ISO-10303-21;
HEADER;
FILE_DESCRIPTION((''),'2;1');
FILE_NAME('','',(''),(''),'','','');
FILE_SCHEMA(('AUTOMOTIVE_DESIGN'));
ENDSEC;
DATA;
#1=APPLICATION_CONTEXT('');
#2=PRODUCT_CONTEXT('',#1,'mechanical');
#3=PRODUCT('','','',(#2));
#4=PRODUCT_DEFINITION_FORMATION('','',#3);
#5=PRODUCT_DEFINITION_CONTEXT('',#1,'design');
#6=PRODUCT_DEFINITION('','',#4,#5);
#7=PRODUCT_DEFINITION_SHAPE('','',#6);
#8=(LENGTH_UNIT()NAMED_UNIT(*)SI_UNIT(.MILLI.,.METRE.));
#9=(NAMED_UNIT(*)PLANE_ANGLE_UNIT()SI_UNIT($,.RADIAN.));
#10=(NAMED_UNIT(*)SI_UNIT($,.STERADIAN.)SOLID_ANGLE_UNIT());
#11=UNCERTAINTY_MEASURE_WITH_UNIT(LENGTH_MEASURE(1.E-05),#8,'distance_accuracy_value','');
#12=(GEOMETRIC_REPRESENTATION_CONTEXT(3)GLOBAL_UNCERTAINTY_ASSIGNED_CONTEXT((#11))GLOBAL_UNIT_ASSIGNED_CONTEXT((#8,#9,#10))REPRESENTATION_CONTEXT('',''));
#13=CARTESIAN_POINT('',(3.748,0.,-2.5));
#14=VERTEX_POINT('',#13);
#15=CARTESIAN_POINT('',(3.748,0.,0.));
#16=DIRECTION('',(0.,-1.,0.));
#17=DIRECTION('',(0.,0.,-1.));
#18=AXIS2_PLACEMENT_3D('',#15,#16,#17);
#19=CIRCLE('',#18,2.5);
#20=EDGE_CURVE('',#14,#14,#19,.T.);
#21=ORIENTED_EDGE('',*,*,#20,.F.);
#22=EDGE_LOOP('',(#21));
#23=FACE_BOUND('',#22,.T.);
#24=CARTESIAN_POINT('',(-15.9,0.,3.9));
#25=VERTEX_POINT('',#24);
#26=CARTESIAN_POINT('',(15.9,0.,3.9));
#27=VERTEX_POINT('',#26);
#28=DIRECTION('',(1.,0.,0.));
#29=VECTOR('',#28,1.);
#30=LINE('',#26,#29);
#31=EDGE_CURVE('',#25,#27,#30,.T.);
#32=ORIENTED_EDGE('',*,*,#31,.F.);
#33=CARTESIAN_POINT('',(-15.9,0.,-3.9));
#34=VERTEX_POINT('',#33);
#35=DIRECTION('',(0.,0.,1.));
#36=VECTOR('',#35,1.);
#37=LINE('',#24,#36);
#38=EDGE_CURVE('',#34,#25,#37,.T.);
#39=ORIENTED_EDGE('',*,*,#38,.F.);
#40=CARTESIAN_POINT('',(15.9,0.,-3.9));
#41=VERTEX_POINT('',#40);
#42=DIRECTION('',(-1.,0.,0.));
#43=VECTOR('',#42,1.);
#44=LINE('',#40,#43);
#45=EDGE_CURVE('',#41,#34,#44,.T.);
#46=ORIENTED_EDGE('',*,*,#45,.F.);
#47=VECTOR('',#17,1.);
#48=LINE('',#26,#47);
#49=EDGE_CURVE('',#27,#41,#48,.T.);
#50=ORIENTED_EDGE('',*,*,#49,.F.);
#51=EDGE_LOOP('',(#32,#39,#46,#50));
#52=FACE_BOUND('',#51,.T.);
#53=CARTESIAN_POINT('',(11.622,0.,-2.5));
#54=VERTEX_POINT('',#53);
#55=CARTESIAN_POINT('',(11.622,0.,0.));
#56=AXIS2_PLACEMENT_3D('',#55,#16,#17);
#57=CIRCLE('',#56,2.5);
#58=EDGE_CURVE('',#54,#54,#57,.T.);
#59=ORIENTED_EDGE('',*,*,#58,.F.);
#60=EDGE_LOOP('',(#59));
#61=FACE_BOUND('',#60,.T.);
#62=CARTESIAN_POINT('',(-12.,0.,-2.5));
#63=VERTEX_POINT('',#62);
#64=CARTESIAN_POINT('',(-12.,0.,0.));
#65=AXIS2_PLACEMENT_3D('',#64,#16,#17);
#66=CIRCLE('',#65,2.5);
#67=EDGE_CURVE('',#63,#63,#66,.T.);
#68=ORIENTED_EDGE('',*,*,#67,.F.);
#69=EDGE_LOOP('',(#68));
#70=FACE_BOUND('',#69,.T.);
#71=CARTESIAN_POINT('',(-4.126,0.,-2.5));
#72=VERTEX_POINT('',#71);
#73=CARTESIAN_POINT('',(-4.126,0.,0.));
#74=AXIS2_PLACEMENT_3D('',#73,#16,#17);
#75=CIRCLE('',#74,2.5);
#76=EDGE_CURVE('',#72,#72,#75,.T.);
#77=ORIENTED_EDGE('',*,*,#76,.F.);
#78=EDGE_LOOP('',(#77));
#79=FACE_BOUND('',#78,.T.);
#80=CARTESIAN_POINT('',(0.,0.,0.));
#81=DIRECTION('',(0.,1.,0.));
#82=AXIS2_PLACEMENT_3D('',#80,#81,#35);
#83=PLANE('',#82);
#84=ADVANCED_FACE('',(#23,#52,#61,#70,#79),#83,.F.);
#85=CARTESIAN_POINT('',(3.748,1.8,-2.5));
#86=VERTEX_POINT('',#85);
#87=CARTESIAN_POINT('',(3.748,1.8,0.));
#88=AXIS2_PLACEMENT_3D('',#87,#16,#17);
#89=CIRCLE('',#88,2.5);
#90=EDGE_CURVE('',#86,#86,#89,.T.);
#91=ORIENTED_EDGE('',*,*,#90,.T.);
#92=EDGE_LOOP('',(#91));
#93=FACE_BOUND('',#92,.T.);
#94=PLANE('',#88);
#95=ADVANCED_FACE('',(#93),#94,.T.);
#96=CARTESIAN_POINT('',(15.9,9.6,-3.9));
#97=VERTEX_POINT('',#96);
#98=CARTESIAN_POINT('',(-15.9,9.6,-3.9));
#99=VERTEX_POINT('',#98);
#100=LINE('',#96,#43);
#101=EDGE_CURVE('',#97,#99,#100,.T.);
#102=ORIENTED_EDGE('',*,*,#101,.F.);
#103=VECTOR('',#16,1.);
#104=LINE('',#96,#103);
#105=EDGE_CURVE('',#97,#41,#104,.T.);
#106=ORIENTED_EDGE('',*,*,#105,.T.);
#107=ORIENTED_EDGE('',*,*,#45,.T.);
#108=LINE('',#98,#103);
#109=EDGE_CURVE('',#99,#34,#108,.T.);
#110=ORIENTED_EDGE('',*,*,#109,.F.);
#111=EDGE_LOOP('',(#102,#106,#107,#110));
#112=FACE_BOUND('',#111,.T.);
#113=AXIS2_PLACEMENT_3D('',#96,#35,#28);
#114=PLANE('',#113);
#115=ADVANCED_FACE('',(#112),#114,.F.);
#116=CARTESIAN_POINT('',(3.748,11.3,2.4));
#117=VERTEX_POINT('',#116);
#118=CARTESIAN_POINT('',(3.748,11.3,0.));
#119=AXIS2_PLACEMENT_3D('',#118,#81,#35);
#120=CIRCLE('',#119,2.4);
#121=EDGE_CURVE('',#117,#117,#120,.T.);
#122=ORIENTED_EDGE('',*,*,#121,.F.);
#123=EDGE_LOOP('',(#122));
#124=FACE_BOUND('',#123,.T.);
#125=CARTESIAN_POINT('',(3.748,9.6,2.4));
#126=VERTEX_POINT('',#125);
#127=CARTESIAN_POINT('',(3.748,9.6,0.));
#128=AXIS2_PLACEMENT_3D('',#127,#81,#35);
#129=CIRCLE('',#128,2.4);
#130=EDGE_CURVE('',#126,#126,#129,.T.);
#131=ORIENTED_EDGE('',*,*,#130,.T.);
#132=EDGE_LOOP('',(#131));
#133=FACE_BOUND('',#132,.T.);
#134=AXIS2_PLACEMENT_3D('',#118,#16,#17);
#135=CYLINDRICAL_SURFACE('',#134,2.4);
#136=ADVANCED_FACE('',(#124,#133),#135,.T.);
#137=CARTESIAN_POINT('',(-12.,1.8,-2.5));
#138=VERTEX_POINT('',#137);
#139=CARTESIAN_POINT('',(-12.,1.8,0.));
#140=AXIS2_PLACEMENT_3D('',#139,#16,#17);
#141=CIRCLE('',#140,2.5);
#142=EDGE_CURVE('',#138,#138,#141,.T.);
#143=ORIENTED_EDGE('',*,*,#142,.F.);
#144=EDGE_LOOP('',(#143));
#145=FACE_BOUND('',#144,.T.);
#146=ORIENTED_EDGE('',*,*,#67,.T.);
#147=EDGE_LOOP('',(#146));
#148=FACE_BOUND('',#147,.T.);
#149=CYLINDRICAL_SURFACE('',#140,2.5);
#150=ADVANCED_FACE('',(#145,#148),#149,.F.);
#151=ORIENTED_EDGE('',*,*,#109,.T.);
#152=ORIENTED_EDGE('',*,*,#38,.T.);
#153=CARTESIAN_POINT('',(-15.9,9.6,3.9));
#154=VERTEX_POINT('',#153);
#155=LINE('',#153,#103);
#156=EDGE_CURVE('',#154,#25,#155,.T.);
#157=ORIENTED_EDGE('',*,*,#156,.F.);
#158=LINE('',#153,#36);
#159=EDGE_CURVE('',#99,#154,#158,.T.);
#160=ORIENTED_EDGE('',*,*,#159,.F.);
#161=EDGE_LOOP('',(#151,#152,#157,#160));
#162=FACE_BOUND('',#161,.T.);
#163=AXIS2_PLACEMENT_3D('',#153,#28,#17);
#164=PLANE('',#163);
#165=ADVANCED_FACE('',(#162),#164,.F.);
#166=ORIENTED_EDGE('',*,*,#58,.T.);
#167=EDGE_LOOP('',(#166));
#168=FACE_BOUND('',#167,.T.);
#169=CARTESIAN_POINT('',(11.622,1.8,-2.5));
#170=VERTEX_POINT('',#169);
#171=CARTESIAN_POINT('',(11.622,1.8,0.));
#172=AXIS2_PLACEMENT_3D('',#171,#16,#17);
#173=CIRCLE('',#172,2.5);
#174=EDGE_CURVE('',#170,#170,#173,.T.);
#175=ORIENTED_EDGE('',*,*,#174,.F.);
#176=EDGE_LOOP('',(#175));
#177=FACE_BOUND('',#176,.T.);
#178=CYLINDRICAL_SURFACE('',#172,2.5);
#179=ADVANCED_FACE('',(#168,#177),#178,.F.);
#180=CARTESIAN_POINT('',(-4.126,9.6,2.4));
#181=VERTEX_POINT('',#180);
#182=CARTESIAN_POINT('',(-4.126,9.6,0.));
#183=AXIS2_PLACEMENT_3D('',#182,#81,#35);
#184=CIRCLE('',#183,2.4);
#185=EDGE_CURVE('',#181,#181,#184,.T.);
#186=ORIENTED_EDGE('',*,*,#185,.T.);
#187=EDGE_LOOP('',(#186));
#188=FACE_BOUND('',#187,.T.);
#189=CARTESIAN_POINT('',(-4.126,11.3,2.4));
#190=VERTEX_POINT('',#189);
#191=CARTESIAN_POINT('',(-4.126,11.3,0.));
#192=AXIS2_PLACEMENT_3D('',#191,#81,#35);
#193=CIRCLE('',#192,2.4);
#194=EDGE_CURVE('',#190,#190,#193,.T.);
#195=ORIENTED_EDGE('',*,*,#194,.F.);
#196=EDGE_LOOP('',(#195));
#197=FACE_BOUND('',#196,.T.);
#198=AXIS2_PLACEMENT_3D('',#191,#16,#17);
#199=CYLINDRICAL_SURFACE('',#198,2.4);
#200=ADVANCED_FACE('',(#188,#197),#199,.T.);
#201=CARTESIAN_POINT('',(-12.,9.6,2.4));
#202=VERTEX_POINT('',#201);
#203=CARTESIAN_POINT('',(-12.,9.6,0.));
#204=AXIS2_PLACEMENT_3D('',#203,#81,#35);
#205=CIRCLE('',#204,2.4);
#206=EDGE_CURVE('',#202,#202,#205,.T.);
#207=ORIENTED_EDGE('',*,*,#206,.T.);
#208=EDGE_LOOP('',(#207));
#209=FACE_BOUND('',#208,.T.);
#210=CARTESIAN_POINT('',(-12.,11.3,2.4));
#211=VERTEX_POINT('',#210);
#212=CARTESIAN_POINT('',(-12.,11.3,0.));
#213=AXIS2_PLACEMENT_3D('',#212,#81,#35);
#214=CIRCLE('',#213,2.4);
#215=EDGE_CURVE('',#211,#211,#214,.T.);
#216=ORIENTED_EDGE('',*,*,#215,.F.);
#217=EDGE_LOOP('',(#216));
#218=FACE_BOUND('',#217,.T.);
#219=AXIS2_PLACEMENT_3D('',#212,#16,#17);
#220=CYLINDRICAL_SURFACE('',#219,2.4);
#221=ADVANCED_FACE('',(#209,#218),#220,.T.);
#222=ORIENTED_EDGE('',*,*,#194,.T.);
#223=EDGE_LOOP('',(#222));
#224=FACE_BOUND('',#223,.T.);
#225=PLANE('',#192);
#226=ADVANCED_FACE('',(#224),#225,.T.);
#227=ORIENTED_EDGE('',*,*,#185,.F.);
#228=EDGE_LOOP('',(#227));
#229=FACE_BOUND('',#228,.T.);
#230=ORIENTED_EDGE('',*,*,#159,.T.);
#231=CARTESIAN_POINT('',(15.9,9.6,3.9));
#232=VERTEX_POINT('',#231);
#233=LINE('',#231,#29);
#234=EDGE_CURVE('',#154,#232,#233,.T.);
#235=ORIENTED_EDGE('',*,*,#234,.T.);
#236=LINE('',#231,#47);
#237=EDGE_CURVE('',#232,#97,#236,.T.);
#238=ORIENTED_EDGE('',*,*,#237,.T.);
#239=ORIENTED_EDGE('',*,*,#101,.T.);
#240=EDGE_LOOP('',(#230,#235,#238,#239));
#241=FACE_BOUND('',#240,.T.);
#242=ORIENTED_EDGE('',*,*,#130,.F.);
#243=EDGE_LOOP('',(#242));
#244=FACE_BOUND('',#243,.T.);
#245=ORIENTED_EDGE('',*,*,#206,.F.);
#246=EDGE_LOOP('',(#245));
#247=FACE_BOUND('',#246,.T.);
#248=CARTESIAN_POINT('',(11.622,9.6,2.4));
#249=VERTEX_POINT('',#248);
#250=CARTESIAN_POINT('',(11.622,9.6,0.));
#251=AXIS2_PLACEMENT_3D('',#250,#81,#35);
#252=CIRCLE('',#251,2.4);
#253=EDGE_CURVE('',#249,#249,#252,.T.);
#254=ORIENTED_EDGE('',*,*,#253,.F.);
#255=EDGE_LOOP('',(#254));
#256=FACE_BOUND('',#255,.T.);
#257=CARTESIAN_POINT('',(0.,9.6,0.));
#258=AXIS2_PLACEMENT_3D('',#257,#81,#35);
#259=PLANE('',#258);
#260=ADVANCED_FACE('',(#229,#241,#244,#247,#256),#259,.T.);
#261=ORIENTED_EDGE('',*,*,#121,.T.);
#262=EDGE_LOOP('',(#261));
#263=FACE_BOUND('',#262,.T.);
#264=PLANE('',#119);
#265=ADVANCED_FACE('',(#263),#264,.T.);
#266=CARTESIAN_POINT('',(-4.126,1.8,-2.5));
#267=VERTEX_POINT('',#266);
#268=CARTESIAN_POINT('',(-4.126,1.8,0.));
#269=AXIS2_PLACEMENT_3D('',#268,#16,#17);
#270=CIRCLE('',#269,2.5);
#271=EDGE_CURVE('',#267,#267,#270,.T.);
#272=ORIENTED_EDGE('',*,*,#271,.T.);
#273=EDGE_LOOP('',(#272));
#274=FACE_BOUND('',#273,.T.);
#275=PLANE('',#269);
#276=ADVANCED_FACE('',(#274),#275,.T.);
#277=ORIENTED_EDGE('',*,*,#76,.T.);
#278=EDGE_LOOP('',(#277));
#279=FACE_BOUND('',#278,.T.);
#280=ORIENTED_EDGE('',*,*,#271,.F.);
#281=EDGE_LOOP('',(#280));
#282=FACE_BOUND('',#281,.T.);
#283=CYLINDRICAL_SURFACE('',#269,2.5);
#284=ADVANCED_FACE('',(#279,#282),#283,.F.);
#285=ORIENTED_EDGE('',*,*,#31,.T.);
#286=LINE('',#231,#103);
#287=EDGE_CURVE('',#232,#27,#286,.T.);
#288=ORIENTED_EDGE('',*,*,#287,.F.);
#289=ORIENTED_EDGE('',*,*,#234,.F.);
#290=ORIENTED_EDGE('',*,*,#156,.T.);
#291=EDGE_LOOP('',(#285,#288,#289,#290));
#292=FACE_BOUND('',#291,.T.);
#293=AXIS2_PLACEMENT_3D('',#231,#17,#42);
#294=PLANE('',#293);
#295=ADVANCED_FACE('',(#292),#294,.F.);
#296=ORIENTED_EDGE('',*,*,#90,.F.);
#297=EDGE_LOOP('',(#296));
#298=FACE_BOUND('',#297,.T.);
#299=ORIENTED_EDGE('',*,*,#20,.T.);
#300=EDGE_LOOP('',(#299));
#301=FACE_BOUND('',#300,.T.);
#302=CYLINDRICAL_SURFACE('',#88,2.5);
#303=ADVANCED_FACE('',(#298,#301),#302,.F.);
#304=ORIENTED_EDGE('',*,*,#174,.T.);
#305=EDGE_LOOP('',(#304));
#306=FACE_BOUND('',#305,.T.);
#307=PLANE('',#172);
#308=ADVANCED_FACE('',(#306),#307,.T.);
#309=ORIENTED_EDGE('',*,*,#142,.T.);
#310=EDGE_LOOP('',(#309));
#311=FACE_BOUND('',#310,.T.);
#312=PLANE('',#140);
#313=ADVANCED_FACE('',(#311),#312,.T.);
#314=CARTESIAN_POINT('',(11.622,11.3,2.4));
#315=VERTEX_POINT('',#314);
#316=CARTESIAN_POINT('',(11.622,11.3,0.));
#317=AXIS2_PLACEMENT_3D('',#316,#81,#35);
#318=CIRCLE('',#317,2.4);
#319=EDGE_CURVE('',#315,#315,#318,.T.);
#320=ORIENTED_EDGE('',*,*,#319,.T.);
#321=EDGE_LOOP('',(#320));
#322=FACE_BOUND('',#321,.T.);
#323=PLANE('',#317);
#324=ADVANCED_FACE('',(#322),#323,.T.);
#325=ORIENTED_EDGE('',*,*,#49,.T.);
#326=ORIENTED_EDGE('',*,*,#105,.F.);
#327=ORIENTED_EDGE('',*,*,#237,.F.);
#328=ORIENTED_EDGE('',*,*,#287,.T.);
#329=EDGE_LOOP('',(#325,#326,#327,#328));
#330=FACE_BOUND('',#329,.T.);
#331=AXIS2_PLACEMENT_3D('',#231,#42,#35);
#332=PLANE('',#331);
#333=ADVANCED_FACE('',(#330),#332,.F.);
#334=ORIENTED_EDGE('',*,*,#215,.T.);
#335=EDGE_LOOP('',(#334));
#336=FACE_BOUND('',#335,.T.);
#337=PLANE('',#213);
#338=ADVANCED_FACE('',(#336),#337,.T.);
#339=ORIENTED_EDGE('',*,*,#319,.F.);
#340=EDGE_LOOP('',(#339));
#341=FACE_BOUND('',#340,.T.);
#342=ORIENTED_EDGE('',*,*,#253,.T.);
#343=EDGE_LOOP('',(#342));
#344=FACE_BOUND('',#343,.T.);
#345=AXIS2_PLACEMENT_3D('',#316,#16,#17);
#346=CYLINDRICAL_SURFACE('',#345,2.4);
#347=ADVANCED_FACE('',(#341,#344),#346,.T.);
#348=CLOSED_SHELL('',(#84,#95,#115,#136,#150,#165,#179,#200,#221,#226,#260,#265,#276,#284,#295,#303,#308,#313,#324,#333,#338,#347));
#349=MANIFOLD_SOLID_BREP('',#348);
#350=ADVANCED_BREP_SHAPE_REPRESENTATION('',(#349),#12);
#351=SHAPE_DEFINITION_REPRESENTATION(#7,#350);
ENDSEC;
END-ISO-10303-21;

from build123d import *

# Parameters (mm, degrees)
SKETCH_1_W          = 31.8
SKETCH_1_H          = 7.8
EXTRUDE_1_DEPTH     = 9.6
SKETCH_2_R          = 2.4
EXTRUDE_2_DEPTH     = 1.7
SKETCH_3_R          = 2.5
CUT_EXTRUDE_1_DEPTH = 1.8


with BuildPart() as part:
    # Эскиз1 → Бобышка-Вытянуть1 (new body)
    with BuildSketch(Plane(origin=(0, 0, 0), x_dir=(1, 0, 0), z_dir=(0, 1, 0))):
        Rectangle(SKETCH_1_W, SKETCH_1_H)
    extrude(amount=EXTRUDE_1_DEPTH)

    # Эскиз2 → Бобышка-Вытянуть2 (add)
    with BuildSketch(Plane(origin=(0, 9.6, 0), x_dir=(1, 0, 0), z_dir=(0, 1, 0))):
        with Locations(Location((-12, 0, 0), (0, 0, 270))):
            Circle(SKETCH_2_R)
        with Locations(Location((-4.126, 0, 0), (0, 0, 270))):
            Circle(SKETCH_2_R)
        with Locations(Location((3.748, 0, 0), (0, 0, 270))):
            Circle(SKETCH_2_R)
        with Locations(Location((11.622, 0, 0), (0, 0, 270))):
            Circle(SKETCH_2_R)
    extrude(amount=EXTRUDE_2_DEPTH)

    # Эскиз3 → Вырез-Вытянуть1 (cut)
    with BuildSketch(Plane.XZ):
        with Locations(Location((-12, 0, 0), (0, 0, 270))):
            Circle(SKETCH_3_R)
        with Locations(Location((-4.126, 0, 0), (0, 0, 270))):
            Circle(SKETCH_3_R)
        with Locations(Location((3.748, 0, 0), (0, 0, 270))):
            Circle(SKETCH_3_R)
        with Locations(Location((11.622, 0, 0), (0, 0, 270))):
            Circle(SKETCH_3_R)
    extrude(amount=-CUT_EXTRUDE_1_DEPTH, mode=Mode.SUBTRACT)


solid = part.part
